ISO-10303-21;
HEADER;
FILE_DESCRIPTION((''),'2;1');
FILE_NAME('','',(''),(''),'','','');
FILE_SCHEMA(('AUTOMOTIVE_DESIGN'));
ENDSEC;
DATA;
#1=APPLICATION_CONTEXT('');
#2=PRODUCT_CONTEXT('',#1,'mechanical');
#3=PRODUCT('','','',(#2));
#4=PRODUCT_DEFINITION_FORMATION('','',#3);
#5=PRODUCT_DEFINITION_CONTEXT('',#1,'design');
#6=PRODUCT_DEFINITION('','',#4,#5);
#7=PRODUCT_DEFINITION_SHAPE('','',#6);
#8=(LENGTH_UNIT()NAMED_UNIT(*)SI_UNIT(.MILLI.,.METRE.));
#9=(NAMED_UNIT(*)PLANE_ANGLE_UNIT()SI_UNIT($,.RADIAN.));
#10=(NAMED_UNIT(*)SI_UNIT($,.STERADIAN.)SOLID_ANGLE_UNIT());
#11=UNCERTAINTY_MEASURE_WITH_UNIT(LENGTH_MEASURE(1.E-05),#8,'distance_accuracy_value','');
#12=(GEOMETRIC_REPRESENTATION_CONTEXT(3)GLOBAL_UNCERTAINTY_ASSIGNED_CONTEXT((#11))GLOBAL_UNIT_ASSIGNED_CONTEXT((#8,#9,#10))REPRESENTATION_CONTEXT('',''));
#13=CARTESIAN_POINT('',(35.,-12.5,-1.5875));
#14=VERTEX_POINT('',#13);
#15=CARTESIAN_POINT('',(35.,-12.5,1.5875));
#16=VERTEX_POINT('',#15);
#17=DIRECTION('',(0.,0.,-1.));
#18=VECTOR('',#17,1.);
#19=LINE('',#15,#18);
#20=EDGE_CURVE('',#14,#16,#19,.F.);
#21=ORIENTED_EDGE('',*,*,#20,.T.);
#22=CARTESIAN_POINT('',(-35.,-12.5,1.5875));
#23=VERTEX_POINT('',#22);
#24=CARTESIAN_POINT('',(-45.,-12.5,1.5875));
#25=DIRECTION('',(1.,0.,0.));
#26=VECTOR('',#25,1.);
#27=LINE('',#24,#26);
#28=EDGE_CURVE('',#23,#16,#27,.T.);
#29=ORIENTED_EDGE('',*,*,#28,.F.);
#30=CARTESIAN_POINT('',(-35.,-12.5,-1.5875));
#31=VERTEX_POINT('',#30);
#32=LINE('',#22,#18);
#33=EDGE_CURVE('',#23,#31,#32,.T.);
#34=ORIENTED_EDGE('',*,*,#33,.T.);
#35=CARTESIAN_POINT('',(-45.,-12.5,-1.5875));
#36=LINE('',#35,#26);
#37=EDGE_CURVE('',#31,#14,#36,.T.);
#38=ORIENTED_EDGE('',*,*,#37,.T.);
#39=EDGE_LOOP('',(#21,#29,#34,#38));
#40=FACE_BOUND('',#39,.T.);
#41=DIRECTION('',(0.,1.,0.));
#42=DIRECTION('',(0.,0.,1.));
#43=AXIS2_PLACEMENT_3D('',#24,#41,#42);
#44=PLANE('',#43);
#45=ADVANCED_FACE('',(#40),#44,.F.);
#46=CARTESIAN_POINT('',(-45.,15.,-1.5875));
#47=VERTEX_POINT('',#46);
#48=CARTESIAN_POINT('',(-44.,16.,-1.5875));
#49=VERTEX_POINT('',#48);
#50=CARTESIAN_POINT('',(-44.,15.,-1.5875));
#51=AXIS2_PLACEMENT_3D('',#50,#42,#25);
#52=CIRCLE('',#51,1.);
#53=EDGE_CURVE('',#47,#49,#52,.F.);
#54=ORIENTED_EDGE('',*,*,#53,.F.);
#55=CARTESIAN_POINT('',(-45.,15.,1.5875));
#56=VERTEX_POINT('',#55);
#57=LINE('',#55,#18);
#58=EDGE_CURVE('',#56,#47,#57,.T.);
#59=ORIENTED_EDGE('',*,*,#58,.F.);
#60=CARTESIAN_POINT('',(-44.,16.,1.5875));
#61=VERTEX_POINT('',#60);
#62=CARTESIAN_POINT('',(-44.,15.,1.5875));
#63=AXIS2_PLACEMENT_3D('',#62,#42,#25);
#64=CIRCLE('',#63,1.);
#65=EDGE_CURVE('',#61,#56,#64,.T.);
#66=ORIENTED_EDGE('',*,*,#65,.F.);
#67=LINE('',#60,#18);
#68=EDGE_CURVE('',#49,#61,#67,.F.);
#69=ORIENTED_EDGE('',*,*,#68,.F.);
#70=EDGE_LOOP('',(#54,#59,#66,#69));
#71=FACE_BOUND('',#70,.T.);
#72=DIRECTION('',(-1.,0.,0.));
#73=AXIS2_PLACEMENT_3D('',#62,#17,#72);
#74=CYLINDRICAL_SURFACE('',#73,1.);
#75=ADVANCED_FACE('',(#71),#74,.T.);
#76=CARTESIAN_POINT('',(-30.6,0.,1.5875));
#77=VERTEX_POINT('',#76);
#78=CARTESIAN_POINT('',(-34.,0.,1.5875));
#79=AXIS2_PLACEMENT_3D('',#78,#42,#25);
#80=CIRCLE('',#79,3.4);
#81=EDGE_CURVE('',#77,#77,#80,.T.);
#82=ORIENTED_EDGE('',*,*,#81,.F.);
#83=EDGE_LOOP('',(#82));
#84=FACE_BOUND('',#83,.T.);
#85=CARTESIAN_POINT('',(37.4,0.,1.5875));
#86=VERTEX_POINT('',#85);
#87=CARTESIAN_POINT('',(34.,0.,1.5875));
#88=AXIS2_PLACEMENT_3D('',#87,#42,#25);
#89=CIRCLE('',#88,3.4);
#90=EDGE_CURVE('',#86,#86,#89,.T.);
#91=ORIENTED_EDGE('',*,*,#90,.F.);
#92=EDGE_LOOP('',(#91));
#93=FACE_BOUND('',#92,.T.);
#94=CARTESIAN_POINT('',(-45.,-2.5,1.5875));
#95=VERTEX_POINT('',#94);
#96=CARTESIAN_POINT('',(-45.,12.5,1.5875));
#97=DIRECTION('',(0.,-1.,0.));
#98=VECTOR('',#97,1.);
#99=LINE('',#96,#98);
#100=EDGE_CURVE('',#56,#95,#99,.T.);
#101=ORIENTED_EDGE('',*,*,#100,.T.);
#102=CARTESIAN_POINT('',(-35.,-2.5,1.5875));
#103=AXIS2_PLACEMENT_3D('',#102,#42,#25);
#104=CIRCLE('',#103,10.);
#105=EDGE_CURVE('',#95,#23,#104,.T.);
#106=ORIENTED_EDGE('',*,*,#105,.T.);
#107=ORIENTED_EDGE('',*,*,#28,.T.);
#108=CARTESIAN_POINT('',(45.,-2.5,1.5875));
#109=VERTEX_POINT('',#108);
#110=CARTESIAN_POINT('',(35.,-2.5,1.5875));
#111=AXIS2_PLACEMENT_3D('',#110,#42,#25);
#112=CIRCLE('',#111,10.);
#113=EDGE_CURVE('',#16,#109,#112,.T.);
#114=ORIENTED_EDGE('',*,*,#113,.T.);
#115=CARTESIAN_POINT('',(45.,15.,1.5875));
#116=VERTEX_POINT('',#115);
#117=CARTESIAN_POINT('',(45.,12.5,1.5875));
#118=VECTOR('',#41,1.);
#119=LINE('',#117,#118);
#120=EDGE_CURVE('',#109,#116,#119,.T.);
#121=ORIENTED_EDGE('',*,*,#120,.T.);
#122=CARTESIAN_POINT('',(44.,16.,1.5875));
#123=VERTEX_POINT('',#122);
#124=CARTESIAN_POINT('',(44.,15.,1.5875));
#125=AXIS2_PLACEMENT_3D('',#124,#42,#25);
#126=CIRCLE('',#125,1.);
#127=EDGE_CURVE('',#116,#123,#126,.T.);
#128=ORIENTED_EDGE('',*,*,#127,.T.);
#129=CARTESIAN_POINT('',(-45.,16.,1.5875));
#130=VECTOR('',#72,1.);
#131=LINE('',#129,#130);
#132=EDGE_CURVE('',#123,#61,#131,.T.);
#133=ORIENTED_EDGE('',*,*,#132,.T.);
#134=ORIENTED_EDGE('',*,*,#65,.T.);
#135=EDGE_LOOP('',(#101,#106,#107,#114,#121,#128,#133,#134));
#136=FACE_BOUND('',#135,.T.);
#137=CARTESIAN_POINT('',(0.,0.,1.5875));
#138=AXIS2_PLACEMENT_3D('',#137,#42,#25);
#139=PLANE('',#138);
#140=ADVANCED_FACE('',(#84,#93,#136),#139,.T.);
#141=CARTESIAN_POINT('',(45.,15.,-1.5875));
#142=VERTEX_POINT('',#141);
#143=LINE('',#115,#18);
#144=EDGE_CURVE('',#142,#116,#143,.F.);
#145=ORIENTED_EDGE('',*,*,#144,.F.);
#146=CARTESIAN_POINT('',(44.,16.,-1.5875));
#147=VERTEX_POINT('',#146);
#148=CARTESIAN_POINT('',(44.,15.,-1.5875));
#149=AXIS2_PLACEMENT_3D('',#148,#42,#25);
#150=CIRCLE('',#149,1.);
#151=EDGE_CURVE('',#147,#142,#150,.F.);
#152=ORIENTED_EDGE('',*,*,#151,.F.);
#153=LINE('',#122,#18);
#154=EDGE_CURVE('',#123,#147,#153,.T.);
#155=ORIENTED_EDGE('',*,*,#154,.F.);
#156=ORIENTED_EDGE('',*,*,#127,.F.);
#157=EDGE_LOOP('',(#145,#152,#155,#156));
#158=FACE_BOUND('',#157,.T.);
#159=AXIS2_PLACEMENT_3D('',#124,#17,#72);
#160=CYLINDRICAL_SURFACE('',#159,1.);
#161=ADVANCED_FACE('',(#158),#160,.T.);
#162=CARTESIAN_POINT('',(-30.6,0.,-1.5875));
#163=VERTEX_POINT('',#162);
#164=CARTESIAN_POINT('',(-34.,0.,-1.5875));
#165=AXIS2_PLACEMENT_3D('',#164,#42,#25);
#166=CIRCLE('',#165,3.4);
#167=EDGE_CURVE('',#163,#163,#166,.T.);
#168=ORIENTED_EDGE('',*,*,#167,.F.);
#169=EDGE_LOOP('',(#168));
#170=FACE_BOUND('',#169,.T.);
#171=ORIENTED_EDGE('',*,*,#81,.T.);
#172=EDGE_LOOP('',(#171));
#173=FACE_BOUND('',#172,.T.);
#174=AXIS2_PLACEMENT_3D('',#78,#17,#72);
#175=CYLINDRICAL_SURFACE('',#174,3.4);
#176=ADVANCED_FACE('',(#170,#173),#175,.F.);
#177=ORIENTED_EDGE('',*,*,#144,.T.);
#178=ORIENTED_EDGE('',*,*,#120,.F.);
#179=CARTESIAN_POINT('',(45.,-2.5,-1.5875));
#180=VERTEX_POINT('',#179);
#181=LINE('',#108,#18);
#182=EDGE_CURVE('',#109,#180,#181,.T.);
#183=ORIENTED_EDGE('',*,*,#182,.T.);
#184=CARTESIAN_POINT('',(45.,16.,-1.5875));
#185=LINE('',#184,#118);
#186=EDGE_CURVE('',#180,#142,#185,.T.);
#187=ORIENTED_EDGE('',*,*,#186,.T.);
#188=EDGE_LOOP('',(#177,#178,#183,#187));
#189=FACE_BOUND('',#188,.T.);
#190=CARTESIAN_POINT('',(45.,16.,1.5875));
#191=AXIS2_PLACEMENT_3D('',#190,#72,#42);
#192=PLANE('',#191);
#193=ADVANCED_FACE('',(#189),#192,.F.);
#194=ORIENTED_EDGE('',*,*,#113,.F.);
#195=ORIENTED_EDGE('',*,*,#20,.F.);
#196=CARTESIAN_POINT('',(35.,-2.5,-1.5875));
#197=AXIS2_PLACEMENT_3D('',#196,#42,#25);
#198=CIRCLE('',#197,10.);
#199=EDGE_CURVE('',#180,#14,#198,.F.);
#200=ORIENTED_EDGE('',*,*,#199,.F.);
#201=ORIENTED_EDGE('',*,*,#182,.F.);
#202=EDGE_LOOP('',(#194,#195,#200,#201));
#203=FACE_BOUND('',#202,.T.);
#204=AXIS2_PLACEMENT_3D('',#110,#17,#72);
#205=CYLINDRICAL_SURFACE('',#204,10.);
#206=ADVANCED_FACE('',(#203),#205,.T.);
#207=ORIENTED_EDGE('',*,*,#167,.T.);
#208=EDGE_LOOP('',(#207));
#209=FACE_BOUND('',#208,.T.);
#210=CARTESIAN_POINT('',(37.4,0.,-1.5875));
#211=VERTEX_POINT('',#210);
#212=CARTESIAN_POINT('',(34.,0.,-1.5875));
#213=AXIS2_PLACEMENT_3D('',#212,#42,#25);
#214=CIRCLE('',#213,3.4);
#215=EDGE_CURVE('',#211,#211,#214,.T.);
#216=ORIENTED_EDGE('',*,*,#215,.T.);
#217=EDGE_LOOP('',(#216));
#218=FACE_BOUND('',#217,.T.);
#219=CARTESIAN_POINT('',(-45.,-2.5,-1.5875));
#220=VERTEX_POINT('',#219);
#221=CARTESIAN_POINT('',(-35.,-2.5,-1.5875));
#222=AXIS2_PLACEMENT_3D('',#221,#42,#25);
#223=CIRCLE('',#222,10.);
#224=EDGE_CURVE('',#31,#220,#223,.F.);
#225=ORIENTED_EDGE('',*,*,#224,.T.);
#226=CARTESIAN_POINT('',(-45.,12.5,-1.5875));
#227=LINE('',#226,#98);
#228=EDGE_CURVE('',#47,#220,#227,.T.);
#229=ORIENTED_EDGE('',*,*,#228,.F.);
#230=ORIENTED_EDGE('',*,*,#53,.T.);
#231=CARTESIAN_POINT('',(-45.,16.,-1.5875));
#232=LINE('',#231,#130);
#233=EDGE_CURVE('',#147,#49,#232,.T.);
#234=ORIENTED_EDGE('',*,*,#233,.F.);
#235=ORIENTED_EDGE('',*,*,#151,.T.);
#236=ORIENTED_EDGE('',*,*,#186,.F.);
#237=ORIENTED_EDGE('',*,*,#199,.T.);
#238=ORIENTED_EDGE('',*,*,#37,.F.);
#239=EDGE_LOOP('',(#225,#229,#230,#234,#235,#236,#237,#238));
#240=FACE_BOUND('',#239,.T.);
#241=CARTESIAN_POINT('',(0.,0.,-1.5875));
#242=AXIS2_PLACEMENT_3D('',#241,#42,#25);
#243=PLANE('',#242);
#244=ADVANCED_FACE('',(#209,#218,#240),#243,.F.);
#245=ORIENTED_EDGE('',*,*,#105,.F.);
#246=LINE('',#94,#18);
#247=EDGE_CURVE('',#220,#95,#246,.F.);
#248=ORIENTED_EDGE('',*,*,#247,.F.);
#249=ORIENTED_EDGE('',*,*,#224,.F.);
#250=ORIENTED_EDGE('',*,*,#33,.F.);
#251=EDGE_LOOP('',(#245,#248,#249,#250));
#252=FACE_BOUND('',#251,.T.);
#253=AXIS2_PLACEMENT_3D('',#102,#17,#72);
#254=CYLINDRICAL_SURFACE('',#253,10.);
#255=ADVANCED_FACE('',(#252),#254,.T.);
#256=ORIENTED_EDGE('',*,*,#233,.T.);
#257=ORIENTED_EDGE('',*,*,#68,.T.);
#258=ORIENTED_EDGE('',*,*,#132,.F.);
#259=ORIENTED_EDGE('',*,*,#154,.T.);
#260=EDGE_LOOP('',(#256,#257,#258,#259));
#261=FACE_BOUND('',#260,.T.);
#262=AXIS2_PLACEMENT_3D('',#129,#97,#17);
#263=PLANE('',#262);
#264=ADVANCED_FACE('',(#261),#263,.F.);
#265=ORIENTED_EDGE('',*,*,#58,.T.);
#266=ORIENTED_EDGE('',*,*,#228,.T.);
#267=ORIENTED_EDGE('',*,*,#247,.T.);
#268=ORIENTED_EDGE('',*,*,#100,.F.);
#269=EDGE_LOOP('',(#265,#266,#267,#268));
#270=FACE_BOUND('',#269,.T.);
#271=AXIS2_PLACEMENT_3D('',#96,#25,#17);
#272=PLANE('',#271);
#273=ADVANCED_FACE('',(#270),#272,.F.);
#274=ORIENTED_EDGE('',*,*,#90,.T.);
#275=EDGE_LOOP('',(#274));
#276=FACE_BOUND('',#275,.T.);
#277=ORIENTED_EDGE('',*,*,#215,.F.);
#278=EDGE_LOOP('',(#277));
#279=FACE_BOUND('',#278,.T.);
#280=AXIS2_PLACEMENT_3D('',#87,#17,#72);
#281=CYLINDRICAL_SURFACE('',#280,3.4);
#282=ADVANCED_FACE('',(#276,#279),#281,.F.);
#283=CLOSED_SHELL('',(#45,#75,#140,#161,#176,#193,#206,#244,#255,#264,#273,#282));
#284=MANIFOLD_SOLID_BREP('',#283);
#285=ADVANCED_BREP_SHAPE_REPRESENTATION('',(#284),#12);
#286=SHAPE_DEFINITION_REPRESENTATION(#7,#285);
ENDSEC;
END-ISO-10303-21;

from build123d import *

# Parameters (mm, degrees)
SKETCH1_R           = 3.4
BOSS_EXTRUDE1_DEPTH = 1.5875
FILLET1_R           = 10
FILLET2_R           = 1


with BuildPart() as part:
    # Sketch1 → Boss-Extrude1 (new, symmetric)
    with BuildSketch(Plane.XY):
        Polygon((-45, 12.499999995), (-45, 15.999999995), (45, 15.999999995), (45, 12.499999995), (45, -12.499999995), (-45, -12.499999995), align=None)
        with Locations((34, 0)):
            Circle(SKETCH1_R, mode=Mode.SUBTRACT)
        with Locations((-34, 0)):
            Circle(SKETCH1_R, mode=Mode.SUBTRACT)
    extrude(amount=BOSS_EXTRUDE1_DEPTH, both=True)

    # Fillet1
    fillet1_edges = [part.edges().sort_by_distance(p)[0] for p in [
        (45, -12.499999995, 0),
        (-45, -12.499999995, 0),
    ]]
    fillet(fillet1_edges, radius=FILLET1_R)

    # Fillet2
    fillet2_edges = [part.edges().sort_by_distance(p)[0] for p in [
        (-45, 15.999999995, 0),
        (45, 15.999999995, 0),
    ]]
    fillet(fillet2_edges, radius=FILLET2_R)


solid = part.part
